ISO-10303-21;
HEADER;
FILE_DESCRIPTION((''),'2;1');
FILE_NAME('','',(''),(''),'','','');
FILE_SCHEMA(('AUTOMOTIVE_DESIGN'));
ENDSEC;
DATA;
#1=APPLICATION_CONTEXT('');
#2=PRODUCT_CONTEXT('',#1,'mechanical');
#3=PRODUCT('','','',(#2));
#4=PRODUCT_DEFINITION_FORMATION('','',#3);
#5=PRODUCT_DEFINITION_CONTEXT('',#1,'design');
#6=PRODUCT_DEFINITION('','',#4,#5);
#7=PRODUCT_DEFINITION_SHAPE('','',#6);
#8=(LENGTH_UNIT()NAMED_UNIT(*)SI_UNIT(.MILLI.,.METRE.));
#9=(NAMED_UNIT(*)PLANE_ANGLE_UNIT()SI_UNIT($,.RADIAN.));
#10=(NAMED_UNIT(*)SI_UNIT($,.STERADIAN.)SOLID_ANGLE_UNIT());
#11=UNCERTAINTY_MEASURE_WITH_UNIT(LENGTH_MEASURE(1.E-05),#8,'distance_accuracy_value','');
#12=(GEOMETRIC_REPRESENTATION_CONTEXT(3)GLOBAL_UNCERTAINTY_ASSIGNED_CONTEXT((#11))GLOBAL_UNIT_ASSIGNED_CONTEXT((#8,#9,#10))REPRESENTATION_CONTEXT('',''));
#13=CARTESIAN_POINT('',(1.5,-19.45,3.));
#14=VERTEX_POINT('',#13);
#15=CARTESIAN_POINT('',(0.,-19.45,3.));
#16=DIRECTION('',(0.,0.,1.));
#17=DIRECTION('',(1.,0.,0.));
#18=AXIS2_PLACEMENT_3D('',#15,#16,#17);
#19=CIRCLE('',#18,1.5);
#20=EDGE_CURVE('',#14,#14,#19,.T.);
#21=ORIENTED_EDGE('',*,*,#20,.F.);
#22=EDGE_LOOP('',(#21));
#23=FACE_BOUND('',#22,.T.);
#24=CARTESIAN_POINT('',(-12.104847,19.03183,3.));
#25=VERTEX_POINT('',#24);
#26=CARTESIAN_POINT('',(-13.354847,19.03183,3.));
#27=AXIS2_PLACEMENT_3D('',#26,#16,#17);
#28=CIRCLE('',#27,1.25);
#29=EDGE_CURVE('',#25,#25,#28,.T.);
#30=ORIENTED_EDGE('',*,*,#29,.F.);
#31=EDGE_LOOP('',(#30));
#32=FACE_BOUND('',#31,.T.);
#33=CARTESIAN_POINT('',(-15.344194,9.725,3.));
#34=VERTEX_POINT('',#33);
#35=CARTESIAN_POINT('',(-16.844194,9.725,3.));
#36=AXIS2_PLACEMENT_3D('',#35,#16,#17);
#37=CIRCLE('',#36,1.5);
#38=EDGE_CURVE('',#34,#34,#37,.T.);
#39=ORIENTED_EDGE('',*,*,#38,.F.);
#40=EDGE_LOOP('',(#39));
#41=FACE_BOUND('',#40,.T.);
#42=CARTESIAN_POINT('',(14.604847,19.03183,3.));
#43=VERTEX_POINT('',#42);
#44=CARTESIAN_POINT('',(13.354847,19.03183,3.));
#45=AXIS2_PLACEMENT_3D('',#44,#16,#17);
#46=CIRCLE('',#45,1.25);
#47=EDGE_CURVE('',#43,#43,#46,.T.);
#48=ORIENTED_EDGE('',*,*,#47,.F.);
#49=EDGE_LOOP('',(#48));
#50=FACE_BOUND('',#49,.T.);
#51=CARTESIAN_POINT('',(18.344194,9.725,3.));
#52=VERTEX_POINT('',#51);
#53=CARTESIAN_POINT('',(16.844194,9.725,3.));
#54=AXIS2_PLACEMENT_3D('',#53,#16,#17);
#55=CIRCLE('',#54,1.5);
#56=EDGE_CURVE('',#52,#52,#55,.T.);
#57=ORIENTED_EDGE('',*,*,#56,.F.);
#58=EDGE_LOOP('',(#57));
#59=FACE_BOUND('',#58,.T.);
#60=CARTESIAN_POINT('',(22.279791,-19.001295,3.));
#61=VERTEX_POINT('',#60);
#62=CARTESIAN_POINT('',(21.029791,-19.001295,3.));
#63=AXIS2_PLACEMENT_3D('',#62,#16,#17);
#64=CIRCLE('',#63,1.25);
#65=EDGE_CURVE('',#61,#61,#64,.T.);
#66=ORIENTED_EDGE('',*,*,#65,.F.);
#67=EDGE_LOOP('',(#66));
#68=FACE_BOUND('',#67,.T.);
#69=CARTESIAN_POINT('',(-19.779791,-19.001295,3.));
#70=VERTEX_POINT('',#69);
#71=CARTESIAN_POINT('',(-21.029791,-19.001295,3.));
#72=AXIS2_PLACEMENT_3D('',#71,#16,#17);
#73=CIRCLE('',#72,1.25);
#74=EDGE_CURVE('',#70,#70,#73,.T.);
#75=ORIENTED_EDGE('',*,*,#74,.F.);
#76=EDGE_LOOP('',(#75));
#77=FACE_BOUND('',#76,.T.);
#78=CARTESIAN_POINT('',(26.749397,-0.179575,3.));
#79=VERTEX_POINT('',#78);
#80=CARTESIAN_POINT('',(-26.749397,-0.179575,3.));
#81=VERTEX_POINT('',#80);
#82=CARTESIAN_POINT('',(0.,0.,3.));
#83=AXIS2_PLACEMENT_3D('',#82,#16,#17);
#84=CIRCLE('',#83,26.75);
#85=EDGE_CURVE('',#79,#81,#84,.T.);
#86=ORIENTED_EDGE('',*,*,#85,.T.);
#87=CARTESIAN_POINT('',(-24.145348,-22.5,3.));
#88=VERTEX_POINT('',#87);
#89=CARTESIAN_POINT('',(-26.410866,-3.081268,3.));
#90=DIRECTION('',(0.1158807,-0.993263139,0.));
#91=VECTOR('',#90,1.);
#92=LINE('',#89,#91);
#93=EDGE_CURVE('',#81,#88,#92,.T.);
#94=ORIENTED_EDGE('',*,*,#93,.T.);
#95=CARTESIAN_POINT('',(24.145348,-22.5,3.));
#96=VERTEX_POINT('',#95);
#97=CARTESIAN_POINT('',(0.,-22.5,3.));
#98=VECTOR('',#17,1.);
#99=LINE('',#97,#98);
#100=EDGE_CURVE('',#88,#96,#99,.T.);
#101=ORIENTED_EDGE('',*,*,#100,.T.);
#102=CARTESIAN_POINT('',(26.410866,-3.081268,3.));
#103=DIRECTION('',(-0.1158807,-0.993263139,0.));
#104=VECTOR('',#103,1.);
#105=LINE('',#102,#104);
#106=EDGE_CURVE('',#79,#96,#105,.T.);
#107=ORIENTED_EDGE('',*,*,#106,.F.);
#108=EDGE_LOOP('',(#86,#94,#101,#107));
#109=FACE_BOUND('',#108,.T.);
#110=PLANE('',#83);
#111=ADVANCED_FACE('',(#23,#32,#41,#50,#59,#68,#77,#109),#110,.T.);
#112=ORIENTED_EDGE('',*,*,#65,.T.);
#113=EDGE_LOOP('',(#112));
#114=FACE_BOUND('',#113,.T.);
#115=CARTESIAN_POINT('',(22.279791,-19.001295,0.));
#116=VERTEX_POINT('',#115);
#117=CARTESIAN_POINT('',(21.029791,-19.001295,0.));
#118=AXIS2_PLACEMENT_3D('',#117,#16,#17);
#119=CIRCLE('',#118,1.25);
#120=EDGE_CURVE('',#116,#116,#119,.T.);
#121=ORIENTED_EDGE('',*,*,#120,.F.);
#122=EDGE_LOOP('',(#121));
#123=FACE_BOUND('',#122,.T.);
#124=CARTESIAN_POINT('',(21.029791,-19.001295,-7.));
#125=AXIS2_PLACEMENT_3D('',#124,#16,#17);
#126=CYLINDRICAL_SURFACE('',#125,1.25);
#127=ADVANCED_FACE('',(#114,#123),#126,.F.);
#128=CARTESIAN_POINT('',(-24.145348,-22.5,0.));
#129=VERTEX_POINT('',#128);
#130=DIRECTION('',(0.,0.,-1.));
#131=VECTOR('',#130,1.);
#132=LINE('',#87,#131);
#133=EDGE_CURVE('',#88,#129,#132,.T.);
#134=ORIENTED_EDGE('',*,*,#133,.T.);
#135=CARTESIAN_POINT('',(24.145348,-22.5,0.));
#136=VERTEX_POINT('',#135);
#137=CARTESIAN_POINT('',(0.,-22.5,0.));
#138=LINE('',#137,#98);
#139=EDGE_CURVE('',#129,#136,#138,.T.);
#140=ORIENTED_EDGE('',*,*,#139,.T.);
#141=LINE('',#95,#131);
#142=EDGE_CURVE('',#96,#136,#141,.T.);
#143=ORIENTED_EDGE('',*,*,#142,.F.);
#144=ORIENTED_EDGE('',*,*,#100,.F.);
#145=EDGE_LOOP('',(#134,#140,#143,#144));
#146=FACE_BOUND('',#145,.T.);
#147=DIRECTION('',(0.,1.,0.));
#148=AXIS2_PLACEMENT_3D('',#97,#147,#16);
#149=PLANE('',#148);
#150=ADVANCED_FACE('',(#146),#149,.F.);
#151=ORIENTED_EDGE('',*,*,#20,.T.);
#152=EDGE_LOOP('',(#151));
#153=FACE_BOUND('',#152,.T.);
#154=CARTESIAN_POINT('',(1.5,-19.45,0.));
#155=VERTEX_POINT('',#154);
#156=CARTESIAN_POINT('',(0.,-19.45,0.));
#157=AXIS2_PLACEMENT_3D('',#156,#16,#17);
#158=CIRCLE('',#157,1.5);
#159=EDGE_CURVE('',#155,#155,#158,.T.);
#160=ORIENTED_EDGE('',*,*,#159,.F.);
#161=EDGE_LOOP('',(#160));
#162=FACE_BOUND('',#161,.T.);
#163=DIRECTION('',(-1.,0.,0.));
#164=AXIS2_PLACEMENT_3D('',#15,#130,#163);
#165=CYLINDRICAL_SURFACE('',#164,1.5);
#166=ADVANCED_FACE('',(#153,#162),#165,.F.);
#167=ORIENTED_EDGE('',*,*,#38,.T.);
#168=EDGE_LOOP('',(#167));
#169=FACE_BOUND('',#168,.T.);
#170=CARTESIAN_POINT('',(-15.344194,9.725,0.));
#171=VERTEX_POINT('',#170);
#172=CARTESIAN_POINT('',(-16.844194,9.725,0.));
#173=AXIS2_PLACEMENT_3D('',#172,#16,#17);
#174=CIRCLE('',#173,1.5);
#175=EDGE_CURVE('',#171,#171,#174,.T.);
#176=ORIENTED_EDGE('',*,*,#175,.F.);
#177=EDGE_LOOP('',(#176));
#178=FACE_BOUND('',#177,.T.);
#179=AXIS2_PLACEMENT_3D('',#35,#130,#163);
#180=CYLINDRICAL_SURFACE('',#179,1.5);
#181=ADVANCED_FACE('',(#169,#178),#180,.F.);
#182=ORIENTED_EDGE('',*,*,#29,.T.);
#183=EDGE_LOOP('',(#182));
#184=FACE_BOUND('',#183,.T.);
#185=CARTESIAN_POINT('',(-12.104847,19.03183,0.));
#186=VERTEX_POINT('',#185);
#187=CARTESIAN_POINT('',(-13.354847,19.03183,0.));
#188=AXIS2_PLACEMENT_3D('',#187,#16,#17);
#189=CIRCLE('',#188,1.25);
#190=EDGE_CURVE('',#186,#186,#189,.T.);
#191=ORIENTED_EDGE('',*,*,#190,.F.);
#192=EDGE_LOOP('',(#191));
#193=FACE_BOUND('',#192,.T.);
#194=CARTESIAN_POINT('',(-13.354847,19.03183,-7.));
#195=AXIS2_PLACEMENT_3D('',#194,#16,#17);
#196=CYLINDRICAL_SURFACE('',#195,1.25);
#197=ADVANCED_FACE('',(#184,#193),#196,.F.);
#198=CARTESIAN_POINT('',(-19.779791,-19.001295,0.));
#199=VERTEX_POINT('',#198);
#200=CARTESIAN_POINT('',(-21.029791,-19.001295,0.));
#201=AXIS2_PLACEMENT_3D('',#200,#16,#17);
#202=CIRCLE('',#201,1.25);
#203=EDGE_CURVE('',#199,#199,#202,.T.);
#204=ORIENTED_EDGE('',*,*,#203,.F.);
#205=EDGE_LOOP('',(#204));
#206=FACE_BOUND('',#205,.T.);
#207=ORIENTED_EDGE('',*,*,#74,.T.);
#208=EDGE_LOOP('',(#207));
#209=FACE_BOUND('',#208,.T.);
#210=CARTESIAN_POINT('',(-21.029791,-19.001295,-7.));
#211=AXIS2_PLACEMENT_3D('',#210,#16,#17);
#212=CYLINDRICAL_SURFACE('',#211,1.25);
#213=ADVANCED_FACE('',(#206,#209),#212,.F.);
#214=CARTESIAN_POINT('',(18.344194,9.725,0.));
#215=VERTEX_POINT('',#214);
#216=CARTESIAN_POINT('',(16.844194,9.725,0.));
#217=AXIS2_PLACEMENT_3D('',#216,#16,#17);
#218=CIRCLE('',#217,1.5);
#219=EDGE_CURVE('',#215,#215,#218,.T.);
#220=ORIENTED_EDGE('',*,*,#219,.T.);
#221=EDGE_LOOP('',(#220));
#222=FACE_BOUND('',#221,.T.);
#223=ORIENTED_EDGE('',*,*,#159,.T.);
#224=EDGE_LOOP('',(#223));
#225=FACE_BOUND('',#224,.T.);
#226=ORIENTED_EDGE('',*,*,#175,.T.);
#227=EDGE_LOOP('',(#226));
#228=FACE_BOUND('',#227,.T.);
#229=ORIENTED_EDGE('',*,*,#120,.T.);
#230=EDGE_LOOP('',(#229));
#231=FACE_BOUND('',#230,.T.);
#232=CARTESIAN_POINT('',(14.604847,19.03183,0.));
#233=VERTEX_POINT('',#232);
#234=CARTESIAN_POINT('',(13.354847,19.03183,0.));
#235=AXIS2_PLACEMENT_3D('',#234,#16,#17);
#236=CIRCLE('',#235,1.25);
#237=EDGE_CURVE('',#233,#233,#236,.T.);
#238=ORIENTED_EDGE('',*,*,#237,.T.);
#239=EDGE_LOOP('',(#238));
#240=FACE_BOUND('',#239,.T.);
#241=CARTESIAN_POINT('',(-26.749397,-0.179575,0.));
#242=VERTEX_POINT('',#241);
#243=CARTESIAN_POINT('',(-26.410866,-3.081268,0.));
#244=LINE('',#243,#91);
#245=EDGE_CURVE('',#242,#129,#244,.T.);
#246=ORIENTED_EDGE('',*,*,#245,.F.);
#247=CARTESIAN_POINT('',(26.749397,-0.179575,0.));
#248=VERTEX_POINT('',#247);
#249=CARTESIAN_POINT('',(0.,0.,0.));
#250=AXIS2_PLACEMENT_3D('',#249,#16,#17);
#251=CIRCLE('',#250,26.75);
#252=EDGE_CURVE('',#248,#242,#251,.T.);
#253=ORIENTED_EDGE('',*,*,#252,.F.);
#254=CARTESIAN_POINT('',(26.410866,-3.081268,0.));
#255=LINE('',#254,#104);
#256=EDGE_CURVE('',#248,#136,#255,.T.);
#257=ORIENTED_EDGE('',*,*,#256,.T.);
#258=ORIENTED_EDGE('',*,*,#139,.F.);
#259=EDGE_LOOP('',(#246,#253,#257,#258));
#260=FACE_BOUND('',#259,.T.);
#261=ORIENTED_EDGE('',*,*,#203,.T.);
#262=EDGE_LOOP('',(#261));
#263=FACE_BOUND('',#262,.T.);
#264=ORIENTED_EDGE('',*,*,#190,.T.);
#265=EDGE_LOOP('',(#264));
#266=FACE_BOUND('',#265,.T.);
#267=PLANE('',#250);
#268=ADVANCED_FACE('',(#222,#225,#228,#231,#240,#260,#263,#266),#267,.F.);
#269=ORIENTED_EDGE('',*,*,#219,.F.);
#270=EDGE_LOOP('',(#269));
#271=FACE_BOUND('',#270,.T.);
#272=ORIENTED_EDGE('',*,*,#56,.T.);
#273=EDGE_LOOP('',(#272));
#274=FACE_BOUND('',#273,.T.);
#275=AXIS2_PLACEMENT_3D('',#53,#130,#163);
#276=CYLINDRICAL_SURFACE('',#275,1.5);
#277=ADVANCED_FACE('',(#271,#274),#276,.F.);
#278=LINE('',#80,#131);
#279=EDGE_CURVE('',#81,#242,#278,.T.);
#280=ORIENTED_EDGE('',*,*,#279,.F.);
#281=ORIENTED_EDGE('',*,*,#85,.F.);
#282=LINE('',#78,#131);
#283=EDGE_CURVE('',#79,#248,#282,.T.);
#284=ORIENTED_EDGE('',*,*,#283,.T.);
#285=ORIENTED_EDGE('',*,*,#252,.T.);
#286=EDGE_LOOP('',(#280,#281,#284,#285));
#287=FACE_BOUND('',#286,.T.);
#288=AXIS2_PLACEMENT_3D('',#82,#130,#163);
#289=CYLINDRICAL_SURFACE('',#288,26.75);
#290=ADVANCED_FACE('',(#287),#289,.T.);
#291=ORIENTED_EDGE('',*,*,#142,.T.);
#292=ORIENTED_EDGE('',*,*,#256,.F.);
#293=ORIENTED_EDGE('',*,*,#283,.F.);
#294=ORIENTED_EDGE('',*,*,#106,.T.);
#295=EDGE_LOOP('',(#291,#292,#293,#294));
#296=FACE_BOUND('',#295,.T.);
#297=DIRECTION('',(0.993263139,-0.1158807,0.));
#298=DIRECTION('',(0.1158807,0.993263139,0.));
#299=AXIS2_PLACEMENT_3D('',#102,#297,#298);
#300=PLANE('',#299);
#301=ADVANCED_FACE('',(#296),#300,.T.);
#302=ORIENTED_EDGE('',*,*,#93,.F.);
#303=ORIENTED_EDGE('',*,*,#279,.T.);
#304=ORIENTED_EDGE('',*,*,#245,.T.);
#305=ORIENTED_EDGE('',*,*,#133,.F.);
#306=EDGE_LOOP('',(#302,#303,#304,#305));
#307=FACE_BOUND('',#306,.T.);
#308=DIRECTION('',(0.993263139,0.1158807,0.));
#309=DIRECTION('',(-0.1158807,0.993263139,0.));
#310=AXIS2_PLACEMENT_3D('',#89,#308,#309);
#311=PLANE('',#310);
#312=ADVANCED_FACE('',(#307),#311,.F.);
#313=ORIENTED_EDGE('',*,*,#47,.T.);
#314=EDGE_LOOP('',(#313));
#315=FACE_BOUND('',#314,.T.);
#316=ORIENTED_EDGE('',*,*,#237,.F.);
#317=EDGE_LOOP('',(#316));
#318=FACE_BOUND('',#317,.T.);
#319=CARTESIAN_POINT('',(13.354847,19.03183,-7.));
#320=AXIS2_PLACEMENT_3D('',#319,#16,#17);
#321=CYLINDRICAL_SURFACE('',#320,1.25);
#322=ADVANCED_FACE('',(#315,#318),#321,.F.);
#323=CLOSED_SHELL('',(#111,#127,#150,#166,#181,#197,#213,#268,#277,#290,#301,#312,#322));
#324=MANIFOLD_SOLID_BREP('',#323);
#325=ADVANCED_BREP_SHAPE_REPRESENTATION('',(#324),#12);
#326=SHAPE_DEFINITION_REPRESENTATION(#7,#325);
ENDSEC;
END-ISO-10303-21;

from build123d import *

# Parameters (mm, degrees)
ESQUISSE1_R             = 1.5
BOSS_EXTRU_1_DEPTH      = 3
ESQUISSE2_R             = 1.25
ENL_V_MAT_EXTRU_2_DEPTH = 10


with BuildPart() as part:
    # Esquisse1 → Boss.-Extru.1 (new body)
    with BuildSketch(Plane.XY):
        with BuildLine():
            Line((-26.749397242, -0.17957503), (-24.145347662, -22.5))
            Line((-24.145347662, -22.5), (24.145347662, -22.5))
            Line((24.145347662, -22.5), (26.749397242, -0.17957503))
            ThreePointArc((26.749397242, -0.17957503), (0, 26.75), (-26.749397242, -0.17957503))
        make_face()
        with Locations((0, -19.45)):
            Circle(ESQUISSE1_R, mode=Mode.SUBTRACT)
        with Locations((-16.844194104, 9.725)):
            Circle(ESQUISSE1_R, mode=Mode.SUBTRACT)
        with Locations((16.844194104, 9.725)):
            Circle(ESQUISSE1_R, mode=Mode.SUBTRACT)
    extrude(amount=BOSS_EXTRU_1_DEPTH)

    # Esquisse2 → Enlèv. mat.-Extru.2 (cut)
    with BuildSketch(Plane.XY.offset(3)):
        with Locations((21.029790949, -19.001295206)):
            Circle(ESQUISSE2_R)
        with Locations((13.354846659, 19.031830461)):
            Circle(ESQUISSE2_R)
        with Locations((-13.354846659, 19.031830461)):
            Circle(ESQUISSE2_R)
        with Locations((-21.029790949, -19.001295206)):
            Circle(ESQUISSE2_R)
    extrude(amount=-ENL_V_MAT_EXTRU_2_DEPTH, mode=Mode.SUBTRACT)


solid = part.part
